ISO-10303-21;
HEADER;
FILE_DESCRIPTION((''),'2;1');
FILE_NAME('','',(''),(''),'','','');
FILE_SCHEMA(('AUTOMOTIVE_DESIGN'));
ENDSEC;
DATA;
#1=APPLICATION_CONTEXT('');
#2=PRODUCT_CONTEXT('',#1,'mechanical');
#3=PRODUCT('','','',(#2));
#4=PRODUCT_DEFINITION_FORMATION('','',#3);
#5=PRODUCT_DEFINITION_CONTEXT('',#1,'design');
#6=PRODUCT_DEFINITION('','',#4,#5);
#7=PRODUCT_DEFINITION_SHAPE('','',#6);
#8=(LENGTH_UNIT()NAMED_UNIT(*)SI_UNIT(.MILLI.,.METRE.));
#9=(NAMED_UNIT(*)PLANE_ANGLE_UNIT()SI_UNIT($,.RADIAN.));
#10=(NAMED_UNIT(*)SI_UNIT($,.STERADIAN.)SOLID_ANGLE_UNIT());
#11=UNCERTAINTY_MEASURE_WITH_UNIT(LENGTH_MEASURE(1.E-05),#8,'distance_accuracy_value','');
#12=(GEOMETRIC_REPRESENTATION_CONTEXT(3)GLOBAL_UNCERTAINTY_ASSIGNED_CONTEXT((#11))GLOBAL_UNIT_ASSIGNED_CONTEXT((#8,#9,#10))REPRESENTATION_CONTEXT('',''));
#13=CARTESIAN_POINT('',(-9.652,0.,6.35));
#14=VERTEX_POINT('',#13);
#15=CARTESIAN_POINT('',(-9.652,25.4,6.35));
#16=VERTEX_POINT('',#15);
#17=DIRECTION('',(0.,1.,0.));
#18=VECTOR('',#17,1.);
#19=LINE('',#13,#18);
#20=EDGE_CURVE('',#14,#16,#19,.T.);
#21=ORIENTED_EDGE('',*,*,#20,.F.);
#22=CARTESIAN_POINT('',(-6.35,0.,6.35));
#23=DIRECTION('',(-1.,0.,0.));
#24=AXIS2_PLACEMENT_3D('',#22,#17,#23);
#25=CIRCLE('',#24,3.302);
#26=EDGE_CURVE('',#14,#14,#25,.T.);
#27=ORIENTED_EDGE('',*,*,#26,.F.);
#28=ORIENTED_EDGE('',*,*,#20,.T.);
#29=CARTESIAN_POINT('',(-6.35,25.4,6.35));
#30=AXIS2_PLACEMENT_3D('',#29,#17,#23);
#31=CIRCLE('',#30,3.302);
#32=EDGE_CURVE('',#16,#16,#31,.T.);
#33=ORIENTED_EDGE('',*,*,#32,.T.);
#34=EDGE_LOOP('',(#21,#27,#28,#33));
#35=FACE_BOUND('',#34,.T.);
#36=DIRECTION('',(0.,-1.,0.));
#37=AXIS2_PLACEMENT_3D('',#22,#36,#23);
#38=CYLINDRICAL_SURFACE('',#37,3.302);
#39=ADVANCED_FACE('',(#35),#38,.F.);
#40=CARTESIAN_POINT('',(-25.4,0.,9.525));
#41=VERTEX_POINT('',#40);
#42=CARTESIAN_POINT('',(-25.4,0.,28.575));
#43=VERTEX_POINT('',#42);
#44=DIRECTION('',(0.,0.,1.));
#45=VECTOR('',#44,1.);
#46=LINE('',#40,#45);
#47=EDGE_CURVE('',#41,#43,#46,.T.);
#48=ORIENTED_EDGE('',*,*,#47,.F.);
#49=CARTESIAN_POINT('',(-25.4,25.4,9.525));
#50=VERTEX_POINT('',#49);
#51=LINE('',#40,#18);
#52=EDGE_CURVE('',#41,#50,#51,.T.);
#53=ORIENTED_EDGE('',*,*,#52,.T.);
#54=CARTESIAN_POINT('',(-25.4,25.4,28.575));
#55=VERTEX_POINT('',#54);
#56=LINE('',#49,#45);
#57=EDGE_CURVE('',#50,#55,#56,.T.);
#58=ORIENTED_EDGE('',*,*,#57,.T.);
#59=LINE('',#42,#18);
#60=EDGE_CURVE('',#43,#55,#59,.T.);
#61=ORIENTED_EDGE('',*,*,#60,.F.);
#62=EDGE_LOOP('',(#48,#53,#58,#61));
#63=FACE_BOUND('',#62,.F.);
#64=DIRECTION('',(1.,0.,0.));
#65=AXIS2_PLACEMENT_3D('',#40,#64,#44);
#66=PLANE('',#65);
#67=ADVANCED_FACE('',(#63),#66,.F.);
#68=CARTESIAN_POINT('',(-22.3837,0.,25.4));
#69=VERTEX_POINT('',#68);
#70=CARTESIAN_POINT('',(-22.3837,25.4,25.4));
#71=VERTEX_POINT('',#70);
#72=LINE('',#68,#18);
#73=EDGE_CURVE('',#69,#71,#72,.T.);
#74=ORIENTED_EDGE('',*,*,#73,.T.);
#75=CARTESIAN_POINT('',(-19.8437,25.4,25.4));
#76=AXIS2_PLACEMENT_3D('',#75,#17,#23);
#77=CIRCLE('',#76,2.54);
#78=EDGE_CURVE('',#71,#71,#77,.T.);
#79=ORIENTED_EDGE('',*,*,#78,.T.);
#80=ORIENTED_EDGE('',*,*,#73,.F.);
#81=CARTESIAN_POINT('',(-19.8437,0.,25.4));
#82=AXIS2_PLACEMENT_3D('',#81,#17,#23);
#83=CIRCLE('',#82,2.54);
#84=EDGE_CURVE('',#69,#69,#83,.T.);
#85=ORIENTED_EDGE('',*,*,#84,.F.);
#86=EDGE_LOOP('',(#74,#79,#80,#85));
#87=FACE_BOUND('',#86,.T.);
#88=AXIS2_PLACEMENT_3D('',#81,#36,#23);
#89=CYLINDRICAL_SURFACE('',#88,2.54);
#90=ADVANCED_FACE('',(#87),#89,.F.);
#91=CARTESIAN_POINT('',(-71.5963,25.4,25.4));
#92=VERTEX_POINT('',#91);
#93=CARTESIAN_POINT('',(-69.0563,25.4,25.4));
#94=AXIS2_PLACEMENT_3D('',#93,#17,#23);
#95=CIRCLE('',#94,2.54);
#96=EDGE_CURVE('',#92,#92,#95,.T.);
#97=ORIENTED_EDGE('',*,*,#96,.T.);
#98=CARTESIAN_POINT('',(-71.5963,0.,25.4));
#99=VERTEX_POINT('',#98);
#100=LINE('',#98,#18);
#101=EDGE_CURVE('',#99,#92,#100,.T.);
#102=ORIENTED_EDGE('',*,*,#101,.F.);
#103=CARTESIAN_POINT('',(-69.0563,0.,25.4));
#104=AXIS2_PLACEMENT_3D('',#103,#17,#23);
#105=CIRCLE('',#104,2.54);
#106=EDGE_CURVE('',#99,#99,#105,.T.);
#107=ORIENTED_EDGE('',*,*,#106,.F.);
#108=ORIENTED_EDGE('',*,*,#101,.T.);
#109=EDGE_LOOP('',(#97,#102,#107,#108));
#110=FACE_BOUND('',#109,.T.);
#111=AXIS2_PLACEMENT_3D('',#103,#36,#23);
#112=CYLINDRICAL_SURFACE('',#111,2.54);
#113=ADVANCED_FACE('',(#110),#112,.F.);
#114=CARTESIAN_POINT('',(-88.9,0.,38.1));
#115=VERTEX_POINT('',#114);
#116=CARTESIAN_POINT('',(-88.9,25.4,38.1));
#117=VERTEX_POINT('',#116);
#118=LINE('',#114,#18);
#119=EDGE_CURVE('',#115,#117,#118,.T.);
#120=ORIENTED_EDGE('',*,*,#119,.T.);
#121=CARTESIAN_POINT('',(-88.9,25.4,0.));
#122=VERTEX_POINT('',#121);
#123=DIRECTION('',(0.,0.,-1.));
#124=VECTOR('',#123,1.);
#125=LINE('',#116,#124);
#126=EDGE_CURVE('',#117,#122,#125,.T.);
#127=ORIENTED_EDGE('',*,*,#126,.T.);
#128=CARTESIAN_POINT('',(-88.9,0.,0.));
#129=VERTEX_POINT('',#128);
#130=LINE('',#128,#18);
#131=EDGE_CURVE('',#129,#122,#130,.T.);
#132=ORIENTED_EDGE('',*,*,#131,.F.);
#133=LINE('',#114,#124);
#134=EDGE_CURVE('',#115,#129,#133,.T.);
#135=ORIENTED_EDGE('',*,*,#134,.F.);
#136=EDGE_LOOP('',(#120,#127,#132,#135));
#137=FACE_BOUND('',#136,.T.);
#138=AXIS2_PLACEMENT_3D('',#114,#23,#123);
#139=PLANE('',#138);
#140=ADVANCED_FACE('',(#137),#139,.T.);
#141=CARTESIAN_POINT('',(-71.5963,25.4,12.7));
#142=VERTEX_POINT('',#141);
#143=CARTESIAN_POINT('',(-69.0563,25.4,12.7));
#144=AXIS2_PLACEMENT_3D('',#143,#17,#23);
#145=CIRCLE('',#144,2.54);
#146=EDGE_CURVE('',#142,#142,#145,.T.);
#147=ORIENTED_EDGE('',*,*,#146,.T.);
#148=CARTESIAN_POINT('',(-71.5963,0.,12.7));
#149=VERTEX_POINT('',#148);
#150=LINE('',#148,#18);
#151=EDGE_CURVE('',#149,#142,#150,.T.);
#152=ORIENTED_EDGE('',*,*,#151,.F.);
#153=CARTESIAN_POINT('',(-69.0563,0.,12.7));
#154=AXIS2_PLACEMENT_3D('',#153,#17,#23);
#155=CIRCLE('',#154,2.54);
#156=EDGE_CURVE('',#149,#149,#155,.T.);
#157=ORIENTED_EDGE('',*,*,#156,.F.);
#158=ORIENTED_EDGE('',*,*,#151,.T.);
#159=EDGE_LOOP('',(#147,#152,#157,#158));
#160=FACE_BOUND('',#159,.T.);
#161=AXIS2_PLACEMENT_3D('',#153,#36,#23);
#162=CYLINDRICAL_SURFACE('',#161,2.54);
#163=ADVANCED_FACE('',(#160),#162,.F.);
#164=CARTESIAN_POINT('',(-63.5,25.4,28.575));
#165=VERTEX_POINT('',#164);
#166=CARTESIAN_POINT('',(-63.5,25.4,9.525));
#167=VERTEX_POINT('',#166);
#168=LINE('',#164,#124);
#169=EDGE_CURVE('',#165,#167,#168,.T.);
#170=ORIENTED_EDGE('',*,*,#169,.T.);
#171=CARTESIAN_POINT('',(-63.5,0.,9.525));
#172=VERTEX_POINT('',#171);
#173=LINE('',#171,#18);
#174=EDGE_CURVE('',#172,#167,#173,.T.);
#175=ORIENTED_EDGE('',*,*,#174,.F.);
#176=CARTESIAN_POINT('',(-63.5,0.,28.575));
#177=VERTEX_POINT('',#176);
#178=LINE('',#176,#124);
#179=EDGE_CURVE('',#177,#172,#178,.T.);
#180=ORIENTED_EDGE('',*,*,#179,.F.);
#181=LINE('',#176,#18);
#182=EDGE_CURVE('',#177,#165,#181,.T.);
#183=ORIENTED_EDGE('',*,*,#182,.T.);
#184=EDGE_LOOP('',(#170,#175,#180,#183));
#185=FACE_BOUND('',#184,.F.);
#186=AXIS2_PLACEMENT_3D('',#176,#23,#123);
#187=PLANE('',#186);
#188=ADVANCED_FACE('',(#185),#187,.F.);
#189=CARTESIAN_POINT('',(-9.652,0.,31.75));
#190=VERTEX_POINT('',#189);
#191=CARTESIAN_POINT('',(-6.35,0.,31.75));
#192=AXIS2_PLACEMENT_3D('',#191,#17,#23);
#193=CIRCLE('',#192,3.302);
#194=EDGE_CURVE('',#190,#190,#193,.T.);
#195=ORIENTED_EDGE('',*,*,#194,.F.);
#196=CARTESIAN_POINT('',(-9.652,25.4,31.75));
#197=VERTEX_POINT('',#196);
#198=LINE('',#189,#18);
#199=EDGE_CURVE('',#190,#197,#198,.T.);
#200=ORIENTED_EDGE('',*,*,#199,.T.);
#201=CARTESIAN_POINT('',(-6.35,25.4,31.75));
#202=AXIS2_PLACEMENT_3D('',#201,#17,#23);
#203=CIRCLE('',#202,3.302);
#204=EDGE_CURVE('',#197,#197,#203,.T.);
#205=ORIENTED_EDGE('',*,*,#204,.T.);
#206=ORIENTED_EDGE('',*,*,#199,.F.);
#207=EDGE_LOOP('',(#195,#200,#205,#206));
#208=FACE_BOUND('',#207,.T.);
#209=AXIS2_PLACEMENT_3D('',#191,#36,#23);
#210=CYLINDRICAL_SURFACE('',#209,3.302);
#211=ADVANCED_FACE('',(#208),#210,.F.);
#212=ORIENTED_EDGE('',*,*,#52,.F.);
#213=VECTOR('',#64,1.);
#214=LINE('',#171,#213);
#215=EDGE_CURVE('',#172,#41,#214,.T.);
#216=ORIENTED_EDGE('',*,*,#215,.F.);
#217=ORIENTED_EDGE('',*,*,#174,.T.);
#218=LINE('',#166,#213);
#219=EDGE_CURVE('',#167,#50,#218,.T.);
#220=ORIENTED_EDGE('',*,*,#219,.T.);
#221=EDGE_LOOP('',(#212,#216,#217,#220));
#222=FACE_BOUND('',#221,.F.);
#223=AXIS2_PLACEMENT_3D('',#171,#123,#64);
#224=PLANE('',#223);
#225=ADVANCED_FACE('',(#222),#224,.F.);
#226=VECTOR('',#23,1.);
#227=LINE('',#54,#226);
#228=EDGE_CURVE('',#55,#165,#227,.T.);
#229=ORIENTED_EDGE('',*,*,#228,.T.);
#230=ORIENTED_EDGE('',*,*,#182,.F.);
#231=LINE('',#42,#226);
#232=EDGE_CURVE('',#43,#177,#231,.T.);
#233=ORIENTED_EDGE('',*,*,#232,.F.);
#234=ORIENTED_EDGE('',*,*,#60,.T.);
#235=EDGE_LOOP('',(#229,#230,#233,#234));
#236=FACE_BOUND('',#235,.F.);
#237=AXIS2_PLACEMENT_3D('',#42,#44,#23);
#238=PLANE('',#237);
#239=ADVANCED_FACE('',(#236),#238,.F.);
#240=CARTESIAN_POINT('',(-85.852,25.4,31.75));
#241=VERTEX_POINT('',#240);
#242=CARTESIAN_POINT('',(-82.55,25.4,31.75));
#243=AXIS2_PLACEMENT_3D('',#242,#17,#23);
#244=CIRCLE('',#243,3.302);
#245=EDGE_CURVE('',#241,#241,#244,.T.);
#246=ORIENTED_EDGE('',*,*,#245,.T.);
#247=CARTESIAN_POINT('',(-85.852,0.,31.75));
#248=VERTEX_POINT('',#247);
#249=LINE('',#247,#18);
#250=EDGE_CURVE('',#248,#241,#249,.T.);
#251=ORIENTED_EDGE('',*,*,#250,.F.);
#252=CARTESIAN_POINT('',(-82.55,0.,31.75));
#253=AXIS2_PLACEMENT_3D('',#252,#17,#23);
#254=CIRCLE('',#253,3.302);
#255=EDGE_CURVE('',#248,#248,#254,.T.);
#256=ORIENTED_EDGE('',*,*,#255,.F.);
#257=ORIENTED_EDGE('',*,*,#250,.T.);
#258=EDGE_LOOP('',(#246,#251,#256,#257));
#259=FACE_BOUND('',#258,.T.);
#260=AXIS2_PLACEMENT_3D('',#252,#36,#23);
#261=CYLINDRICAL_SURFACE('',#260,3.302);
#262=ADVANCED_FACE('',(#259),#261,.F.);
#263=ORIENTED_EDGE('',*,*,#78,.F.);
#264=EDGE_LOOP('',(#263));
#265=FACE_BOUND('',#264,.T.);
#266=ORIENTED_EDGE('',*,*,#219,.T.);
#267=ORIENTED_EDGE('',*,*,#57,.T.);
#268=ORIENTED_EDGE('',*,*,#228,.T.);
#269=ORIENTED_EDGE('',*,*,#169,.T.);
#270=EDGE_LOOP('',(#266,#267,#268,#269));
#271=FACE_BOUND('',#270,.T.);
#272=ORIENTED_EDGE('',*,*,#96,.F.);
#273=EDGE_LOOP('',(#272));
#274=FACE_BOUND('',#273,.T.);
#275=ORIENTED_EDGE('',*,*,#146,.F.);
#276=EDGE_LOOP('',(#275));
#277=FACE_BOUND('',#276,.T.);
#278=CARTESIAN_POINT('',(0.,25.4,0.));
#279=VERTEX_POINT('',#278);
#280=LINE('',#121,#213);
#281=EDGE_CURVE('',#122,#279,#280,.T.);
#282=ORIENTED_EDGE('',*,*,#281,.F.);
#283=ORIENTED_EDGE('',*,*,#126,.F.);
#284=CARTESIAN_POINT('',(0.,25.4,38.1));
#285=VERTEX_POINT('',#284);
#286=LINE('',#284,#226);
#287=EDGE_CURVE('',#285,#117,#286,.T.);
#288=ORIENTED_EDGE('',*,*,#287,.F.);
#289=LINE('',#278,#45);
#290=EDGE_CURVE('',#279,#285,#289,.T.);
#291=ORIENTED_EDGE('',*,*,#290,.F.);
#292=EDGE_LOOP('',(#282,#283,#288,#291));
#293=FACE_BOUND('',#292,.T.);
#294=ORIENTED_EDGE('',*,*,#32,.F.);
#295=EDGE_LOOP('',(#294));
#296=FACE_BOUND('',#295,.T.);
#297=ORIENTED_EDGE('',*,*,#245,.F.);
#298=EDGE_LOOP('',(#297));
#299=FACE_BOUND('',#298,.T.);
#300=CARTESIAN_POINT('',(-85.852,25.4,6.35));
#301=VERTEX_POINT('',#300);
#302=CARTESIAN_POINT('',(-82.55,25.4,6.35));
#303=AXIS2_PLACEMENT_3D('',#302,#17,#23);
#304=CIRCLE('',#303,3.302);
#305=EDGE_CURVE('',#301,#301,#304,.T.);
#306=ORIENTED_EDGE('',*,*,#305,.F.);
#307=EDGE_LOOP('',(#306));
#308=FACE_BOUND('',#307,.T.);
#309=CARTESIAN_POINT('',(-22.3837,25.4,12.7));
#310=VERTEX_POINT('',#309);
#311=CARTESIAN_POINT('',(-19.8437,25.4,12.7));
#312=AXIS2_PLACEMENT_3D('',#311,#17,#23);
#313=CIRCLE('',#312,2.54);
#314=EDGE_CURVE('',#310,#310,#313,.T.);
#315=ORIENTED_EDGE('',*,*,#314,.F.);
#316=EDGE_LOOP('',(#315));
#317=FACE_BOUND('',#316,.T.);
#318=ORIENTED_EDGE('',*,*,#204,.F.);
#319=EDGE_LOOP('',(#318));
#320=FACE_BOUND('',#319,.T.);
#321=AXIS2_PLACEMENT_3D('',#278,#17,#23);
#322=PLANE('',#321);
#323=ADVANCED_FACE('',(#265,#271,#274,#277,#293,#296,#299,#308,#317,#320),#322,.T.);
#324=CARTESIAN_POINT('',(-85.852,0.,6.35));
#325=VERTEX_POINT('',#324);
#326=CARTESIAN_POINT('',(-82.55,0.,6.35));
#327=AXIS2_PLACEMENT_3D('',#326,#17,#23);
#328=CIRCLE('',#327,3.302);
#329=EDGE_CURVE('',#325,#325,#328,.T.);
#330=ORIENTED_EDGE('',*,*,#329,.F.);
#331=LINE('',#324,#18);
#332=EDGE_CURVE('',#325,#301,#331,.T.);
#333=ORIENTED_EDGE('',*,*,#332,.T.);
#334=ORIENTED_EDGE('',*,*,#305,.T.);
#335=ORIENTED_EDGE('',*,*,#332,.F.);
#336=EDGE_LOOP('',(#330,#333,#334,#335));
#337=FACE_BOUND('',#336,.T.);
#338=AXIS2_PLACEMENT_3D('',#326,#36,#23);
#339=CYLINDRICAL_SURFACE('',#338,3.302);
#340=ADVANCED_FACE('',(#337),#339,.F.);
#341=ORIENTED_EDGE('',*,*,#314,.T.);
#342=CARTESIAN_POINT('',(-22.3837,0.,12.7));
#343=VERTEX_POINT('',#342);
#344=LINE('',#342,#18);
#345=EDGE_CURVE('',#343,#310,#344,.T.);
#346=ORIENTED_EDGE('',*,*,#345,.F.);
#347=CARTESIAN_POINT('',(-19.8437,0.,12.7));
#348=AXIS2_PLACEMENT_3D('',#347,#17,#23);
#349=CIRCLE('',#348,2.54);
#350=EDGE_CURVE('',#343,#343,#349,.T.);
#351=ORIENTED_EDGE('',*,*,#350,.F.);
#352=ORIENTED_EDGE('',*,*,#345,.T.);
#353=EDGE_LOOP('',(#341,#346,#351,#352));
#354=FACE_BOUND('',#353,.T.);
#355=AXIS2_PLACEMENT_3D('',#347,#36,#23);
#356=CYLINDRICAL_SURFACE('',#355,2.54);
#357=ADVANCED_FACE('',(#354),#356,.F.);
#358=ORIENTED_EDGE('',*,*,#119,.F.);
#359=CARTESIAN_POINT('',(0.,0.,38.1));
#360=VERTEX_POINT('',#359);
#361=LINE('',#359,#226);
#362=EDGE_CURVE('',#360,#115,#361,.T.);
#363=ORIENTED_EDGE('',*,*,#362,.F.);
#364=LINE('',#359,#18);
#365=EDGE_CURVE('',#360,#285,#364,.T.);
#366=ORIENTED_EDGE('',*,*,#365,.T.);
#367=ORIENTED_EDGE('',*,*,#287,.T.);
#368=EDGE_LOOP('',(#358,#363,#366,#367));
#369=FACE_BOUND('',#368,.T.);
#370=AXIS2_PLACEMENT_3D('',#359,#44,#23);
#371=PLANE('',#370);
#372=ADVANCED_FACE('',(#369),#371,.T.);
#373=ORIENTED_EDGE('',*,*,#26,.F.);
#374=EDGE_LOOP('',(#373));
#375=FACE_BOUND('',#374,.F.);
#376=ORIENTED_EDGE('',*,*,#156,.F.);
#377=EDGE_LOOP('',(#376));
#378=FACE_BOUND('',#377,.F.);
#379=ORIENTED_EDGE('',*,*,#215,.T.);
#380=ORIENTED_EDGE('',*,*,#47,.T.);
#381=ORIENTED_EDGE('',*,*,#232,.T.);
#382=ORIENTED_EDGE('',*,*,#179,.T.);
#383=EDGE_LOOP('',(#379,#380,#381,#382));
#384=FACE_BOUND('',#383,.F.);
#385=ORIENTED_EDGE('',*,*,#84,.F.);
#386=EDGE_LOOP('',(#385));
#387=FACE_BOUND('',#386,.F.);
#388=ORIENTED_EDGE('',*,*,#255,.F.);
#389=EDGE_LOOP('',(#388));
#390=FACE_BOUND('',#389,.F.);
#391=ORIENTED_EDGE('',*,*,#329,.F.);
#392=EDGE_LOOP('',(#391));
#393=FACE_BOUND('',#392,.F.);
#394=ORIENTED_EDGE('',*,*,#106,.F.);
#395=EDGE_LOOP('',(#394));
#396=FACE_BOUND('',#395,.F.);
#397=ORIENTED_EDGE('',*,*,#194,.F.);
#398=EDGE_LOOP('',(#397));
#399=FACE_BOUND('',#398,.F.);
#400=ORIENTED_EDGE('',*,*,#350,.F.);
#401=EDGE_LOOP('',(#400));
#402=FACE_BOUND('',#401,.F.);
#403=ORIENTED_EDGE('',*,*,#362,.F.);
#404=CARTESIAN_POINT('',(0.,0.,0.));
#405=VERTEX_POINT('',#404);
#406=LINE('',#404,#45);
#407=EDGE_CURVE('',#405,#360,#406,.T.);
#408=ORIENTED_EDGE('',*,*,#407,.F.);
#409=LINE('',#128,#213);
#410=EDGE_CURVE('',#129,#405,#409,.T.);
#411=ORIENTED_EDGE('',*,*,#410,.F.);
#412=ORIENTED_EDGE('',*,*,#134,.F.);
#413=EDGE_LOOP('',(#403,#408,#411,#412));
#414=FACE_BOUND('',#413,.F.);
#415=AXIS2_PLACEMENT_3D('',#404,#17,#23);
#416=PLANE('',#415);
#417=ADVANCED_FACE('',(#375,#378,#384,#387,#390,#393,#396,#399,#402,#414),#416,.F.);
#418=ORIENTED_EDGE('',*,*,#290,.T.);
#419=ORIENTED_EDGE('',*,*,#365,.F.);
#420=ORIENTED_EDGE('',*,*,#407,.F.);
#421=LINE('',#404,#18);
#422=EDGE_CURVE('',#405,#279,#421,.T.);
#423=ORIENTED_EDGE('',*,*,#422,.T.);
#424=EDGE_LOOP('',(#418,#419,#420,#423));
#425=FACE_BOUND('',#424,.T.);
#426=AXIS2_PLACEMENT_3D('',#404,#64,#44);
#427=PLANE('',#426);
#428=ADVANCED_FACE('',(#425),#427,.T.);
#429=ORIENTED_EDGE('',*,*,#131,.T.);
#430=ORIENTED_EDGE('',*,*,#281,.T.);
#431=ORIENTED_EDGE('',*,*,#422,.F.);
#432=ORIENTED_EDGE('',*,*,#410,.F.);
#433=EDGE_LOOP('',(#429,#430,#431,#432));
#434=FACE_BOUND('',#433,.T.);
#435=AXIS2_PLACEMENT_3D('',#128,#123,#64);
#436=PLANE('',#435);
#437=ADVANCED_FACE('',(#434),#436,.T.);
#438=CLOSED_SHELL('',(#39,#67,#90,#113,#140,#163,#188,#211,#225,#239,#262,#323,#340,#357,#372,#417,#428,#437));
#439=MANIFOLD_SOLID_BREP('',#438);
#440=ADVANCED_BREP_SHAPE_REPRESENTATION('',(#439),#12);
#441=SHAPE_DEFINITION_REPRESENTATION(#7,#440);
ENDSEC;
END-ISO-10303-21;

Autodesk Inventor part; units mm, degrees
ref_plane "YZ Plane" through (0, 0, 0) normal (1, 0, 0) x (0, 1, 0)
ref_plane "XZ Plane" through (0, 0, 0) normal (0, 1, 0) x (-1, 0, 0)
ref_plane "XY Plane" through (0, 0, 0) normal (0, 0, 1) x (1, 0, 0)
sketch "Sketch1" plane through (0, 0, 0) normal (0, 1, 0) x (-1, 0, 0)
  line L0 (0, 0) -> (0, 38.1)
  line L1 (0, 38.1) -> (88.9, 38.1)
  line L2 (88.9, 38.1) -> (88.9, 0)
  line L3 (88.9, 0) -> (0, 0)
  circle A0 centre (19.8437, 12.7) radius 2.54
  circle A1 centre (19.8437, 25.4) radius 2.54
  circle A2 centre (69.0563, 25.4) radius 2.54
  circle A3 centre (69.0563, 12.7) radius 2.54
  circle A4 centre (6.35, 31.75) radius 3.302
  circle A5 centre (6.35, 6.35) radius 3.302
  circle A6 centre (82.55, 31.75) radius 3.302
  circle A7 centre (82.55, 6.35) radius 3.302
  line L4 (63.5, 28.575) -> (63.5, 9.525)
  line L5 (63.5, 9.525) -> (25.4, 9.525)
  line L6 (25.4, 9.525) -> (25.4, 28.575)
  line L7 (25.4, 28.575) -> (63.5, 28.575)
  dimension "d0" = 38.1
  dimension "d1" = 88.9
  dimension "d2" = 5.08
  dimension "d3" = 5.08
  dimension "d4" = 5.08
  dimension "d5" = 5.08
  dimension "d6" = 12.7
  dimension "d7" = 12.7
  dimension "d8" = 12.7
  dimension "d9" = 12.7
  dimension "d10" = 49.2125
  dimension "d11" = 49.2125
  dimension "d12" = 19.8438
  dimension "d14" = 19.8438
  dimension "d15" = 6.604
  dimension "d16" = 6.604
  dimension "d17" = 6.604
  dimension "d18" = 6.604
  dimension "d19" = 25.4
  dimension "d20" = 6.35
  dimension "d21" = 6.35
  dimension "d22" = 6.35
  dimension "d23" = 6.35
  dimension "d24" = 6.35
  dimension "d25" = 25.4
  dimension "d26" = 6.35
  dimension "d27" = 19.05
  dimension "d28" = 38.1
  dimension "d29" = 9.525
  dimension "d30" = 25.4
  dimension "d33" = 6.35
  dimension "d34" = 76.2
extrude "Extrusion1" add sketch "Sketch1" along normal blind 25.4
properties part number "MotorHolder"
